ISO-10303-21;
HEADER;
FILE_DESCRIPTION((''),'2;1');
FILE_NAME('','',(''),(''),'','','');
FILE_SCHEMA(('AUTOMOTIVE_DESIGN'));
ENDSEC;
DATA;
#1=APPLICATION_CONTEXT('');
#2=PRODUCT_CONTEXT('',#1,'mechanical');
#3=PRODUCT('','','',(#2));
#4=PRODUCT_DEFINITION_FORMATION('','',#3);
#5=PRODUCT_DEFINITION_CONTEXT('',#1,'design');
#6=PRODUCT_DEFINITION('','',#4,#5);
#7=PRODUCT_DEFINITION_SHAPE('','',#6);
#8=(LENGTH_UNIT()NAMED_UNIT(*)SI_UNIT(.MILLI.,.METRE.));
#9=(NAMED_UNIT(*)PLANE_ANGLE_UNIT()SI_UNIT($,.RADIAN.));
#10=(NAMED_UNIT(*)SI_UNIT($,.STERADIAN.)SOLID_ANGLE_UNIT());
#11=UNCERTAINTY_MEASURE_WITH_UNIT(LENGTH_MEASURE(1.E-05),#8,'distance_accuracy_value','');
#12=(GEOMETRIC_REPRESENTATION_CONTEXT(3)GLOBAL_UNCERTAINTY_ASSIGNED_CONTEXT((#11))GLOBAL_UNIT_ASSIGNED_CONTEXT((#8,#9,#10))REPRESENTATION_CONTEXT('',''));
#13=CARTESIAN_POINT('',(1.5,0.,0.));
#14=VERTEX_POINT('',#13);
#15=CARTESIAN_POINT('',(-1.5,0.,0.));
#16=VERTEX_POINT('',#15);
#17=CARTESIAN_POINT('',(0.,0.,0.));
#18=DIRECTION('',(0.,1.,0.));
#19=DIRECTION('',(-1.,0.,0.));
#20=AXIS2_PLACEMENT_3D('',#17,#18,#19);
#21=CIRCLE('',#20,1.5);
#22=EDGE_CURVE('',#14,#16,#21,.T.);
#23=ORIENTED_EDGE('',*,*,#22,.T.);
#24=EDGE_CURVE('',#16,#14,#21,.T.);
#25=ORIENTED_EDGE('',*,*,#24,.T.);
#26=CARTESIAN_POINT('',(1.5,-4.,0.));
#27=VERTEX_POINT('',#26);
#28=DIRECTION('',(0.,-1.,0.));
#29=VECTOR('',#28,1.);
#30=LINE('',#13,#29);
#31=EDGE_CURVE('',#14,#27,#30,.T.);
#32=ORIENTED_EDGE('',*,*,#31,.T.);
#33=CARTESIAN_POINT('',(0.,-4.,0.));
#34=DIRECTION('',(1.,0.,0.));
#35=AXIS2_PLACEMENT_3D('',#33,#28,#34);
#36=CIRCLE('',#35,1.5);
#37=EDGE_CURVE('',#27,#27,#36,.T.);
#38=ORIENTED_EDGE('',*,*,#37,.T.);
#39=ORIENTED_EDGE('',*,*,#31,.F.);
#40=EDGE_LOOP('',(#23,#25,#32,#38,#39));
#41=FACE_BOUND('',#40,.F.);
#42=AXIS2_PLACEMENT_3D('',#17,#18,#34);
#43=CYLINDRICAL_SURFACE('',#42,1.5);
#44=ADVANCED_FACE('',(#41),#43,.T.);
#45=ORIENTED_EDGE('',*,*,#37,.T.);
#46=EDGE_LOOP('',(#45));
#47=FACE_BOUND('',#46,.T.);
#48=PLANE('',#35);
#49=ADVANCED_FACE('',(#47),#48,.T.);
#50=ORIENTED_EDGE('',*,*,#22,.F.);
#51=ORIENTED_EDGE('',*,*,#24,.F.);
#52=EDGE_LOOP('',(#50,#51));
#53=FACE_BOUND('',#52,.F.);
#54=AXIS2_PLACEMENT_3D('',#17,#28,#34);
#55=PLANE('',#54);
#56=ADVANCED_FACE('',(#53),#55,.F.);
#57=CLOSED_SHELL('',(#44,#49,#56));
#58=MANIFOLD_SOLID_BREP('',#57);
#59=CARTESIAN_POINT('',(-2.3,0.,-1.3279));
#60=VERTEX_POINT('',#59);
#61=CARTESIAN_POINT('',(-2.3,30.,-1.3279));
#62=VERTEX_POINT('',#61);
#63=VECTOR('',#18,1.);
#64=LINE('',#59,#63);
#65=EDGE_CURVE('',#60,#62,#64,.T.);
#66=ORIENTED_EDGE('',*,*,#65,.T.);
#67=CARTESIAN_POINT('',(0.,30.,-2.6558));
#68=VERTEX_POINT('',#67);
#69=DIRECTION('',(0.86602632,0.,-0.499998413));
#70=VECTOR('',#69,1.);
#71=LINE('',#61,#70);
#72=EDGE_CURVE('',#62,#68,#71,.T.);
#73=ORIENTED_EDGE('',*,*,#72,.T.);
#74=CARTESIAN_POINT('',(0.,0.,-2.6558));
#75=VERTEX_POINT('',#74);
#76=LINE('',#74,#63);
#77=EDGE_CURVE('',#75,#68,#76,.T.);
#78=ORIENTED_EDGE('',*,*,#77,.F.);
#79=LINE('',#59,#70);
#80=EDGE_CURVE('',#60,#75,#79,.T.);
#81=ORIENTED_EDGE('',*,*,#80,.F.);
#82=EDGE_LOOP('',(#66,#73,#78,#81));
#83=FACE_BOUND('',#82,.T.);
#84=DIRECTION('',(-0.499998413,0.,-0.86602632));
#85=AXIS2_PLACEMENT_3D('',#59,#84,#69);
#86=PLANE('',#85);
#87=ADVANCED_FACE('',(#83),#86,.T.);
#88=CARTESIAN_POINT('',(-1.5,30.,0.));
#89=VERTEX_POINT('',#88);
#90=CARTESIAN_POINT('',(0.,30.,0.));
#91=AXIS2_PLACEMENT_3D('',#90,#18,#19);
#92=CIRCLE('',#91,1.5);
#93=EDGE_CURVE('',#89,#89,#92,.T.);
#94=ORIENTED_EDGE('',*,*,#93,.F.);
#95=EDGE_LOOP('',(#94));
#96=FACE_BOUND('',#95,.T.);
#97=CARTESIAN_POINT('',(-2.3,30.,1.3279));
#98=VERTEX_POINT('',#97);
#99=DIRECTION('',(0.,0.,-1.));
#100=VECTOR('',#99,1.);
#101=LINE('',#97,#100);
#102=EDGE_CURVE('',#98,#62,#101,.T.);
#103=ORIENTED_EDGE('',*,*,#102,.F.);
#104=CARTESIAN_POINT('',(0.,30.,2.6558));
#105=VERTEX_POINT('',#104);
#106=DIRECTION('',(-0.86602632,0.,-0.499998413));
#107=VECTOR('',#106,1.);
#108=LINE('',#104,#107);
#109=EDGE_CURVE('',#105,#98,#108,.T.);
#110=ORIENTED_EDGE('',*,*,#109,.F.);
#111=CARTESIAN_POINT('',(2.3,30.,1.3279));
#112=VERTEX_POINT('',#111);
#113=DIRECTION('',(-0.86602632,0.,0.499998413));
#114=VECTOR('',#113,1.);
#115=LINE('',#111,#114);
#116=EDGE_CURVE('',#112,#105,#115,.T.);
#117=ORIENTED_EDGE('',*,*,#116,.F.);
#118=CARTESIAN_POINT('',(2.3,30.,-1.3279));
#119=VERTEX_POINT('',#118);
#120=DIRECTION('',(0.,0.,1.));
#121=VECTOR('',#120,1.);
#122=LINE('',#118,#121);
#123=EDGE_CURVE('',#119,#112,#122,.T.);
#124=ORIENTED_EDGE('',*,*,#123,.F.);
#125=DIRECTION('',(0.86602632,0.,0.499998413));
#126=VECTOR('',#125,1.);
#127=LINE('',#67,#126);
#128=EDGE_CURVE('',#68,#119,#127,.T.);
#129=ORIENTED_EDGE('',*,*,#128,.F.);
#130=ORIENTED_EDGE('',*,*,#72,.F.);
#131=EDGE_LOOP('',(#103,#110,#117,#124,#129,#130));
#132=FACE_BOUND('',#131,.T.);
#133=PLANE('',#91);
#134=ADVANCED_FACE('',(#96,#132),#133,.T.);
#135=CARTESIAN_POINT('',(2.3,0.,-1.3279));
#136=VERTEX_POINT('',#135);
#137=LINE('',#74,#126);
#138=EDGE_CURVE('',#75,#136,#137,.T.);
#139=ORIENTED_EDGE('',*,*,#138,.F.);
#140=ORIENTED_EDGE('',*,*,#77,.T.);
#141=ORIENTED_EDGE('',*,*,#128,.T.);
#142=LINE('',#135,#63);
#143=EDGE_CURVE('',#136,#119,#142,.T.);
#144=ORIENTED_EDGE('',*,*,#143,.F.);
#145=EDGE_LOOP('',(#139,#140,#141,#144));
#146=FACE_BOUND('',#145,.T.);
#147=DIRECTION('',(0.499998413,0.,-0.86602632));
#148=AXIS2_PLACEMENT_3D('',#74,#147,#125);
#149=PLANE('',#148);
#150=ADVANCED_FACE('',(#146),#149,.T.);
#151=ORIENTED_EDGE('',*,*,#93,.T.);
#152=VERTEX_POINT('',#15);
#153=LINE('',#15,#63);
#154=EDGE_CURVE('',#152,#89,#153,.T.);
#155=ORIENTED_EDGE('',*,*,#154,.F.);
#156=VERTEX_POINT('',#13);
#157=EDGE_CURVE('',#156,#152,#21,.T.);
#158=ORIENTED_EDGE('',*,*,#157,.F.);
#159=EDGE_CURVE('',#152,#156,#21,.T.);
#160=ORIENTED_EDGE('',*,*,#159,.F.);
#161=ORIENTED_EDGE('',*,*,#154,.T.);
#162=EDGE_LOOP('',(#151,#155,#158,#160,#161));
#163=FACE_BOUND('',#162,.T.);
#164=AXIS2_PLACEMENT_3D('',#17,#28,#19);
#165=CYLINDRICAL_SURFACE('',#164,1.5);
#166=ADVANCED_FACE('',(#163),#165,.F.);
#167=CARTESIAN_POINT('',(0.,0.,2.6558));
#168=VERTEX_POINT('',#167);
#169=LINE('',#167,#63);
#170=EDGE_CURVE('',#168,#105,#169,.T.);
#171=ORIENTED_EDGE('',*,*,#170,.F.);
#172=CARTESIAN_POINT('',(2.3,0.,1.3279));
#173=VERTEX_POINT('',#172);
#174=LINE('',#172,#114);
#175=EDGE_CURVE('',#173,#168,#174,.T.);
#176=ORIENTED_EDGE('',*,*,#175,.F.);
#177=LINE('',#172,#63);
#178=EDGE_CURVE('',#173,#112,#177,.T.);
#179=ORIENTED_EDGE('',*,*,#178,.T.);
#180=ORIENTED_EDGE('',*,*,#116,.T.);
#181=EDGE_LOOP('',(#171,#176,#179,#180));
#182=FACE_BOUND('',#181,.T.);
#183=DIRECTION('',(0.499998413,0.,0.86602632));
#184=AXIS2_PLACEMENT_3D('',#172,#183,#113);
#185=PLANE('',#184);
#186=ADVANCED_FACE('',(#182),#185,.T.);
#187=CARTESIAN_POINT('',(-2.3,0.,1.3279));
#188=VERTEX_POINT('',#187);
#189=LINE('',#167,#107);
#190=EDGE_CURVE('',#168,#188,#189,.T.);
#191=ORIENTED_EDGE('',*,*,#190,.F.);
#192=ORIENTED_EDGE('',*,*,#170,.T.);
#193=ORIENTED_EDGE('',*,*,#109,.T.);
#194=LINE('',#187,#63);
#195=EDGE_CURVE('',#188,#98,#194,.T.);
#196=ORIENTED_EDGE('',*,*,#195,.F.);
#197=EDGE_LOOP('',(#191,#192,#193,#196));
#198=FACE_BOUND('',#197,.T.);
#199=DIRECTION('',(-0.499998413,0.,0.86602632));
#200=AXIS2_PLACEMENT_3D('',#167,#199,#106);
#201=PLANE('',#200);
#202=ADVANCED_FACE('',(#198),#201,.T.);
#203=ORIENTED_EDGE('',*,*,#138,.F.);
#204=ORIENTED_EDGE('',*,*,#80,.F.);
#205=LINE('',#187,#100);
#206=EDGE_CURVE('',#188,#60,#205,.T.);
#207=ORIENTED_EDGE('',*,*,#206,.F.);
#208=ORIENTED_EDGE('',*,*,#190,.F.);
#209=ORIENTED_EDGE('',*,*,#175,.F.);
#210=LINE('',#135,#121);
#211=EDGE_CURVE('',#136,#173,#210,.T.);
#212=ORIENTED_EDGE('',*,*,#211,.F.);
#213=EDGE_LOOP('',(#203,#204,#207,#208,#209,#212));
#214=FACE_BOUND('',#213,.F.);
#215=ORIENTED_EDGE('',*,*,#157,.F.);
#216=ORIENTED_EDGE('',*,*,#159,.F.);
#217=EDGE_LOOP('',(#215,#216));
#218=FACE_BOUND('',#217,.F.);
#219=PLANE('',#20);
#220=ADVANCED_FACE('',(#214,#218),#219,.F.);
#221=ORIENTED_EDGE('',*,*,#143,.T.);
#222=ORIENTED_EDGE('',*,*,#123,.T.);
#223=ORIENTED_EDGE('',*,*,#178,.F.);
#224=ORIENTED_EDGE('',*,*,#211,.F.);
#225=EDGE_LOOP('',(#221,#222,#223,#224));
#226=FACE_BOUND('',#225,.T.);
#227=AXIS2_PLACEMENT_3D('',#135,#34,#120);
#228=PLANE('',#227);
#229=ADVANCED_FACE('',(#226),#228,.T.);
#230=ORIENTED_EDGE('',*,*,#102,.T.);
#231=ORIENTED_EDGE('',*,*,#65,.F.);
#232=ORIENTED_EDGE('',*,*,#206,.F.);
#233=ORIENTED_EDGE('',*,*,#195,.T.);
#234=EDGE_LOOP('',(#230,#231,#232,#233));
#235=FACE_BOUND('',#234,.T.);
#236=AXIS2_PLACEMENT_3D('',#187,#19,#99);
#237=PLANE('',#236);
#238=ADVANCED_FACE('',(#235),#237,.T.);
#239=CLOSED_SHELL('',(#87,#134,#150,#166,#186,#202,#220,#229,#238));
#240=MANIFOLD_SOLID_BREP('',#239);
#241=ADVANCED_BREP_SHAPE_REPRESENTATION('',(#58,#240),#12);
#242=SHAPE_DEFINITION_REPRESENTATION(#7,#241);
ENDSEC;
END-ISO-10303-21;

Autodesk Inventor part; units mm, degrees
ref_plane "YZ Plane" through (0, 0, 0) normal (1, 0, 0) x (0, 1, 0)
ref_plane "XZ Plane" through (0, 0, 0) normal (0, 1, 0) x (-1, 0, 0)
ref_plane "XY Plane" through (0, 0, 0) normal (0, 0, 1) x (1, 0, 0)
sketch "Sketch1" plane through (0, 0, 0) normal (0, 1, 0) x (-1, 0, 0)
  line L0 (0, -2.6558) -> (-2.3, -1.3279)
  line L1 (-2.3, -1.3279) -> (-2.3, 1.3279)
  line L2 (-2.3, 1.3279) -> (0, 2.6558)
  line L3 (0, 2.6558) -> (2.3, 1.3279)
  line L4 (2.3, 1.3279) -> (2.3, -1.3279)
  line L5 (2.3, -1.3279) -> (0, -2.6558)
  circle A0 centre (0, 0) radius 1.5
  dimension "d0" = 4.6
  dimension "d1" = 3
extrude "Extrusion1" add sketch "Sketch1" along normal blind 30
sketch "Sketch2" plane through (0, 0, 0) normal (0, -1, 0) x (1, 0, 0)
  circle A0 centre (0, 0) radius 1.5 projected
extrude "Extrusion2" add sketch "Sketch2" along normal blind 4
properties part number "m3_standoff_30mm" material "Brass, Soft Yellow"
